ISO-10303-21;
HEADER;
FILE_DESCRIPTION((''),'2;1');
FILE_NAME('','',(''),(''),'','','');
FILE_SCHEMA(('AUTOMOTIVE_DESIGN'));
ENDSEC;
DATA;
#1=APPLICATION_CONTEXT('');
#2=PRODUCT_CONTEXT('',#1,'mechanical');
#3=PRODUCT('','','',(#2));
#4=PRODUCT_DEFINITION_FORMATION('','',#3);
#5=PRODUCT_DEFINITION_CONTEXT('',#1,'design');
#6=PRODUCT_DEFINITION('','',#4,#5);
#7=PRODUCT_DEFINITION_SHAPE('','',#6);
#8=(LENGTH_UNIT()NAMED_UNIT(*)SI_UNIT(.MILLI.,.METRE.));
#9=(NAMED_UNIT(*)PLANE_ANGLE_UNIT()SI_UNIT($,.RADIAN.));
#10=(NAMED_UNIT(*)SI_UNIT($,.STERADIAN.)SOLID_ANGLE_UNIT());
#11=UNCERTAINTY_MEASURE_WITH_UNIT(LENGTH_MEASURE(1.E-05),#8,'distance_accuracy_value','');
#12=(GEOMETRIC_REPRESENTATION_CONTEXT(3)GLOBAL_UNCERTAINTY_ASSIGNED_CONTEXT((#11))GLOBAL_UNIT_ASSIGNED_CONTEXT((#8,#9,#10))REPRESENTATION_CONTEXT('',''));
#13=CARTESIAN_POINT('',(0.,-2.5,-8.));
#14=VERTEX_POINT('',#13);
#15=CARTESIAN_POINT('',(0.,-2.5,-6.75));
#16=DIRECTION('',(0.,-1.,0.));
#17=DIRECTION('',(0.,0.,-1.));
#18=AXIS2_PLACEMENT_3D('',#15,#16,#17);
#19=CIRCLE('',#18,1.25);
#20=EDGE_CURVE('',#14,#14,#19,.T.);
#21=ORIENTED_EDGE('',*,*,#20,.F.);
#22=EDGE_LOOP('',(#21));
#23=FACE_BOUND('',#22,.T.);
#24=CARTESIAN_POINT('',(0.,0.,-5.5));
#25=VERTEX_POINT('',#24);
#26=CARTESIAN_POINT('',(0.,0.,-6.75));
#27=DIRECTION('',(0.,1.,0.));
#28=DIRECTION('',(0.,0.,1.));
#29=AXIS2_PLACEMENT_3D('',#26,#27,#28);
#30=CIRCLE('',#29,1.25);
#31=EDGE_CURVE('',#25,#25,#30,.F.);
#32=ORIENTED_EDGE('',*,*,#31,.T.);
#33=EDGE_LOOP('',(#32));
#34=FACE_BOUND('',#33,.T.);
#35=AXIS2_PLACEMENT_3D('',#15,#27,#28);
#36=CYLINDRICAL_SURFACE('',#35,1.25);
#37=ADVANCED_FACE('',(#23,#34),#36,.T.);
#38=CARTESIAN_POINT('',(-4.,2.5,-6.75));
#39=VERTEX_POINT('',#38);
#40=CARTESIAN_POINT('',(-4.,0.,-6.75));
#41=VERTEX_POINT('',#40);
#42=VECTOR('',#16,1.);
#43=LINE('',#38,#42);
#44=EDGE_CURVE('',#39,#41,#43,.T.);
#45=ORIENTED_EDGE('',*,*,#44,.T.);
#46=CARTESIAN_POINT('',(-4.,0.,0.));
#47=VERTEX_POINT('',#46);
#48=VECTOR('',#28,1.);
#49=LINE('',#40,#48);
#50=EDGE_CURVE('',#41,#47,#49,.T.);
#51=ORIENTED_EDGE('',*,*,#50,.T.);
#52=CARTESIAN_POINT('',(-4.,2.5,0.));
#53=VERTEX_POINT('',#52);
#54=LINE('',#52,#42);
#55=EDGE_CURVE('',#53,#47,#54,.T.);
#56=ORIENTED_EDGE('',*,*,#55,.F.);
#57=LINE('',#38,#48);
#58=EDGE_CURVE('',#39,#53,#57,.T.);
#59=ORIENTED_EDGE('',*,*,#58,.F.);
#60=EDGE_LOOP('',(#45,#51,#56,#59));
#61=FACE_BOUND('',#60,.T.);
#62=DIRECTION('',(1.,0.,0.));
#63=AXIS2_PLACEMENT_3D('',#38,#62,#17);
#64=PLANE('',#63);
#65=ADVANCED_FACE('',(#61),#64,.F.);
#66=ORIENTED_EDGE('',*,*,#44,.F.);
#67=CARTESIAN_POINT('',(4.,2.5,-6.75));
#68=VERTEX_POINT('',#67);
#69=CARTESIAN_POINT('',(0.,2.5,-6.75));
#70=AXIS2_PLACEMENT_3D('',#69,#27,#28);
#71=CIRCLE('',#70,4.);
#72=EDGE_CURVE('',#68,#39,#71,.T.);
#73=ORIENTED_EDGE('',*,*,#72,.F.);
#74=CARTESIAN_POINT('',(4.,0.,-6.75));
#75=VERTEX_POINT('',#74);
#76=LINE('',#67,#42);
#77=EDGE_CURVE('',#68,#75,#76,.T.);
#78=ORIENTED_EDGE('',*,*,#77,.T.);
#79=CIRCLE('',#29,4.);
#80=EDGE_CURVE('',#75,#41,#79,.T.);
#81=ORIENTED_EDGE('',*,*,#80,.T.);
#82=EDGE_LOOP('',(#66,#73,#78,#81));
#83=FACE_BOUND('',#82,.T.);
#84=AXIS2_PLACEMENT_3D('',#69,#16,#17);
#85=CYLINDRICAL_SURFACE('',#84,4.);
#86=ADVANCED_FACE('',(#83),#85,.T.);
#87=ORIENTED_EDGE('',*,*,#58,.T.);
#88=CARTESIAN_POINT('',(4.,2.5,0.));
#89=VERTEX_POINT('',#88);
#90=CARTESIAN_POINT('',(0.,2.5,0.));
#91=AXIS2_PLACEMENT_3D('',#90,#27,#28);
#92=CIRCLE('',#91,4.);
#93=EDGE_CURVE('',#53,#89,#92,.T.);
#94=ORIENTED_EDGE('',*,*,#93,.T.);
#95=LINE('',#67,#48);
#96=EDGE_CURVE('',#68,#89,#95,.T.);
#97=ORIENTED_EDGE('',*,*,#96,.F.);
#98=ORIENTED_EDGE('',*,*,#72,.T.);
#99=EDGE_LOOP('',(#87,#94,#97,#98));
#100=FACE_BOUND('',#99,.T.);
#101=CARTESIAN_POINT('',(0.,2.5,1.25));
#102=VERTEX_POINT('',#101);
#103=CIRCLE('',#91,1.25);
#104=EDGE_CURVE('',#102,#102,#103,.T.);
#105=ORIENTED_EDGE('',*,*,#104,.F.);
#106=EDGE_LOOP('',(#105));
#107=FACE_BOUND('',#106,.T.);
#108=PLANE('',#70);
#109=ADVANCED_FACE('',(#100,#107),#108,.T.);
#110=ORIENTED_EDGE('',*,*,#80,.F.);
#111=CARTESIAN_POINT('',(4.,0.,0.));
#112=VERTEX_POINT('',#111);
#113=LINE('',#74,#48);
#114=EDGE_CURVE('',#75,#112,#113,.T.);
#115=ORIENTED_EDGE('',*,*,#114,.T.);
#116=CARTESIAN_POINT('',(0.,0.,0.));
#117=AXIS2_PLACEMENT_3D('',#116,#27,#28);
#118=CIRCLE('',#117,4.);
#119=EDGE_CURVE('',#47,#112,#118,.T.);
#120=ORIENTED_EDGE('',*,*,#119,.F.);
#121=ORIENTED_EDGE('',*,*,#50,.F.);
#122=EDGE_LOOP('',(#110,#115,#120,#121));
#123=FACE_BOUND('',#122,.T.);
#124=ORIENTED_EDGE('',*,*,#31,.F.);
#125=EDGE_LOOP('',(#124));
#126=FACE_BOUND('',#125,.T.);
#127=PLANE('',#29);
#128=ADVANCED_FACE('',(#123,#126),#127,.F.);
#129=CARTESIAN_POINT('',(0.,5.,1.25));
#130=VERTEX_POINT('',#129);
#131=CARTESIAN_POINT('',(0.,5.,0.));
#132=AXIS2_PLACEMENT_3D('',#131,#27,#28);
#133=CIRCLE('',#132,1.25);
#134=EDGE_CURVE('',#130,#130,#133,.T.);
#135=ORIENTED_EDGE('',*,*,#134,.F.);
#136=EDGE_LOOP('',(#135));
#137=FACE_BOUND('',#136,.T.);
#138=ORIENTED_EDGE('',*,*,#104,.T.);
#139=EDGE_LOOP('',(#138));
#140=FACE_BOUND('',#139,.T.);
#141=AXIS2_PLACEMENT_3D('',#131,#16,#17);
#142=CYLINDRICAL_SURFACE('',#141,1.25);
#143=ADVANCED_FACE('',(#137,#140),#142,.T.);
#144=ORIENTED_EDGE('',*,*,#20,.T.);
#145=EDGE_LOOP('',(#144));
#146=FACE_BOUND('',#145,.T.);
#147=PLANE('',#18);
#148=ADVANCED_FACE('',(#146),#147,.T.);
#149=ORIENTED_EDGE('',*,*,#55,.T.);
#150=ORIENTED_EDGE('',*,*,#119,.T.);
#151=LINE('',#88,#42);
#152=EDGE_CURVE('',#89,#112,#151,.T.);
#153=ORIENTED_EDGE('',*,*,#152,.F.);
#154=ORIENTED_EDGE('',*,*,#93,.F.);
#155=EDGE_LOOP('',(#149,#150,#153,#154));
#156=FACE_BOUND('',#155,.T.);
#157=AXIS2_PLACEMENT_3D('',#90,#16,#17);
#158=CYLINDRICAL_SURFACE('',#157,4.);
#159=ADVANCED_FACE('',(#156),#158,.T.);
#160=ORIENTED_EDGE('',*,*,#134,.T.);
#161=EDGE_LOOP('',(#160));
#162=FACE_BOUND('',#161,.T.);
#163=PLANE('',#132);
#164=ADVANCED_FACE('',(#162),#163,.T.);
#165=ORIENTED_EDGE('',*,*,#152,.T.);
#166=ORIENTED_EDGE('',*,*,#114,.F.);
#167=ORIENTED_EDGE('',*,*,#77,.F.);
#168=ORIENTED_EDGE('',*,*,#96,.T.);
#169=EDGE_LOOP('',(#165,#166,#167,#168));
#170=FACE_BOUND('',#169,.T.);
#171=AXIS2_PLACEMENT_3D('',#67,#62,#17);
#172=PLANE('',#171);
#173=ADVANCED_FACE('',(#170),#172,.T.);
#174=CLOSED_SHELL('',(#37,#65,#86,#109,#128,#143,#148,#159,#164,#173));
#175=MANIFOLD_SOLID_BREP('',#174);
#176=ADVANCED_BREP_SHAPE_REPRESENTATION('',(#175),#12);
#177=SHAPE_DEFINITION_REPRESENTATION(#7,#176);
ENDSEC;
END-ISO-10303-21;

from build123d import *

# Parameters (mm, degrees)
BOSS_EXTRUDE1_DEPTH = 2.5
BOSS_EXTRUDE2_DEPTH = 2.5
SKETCH3_R           = 1.25
BOSS_EXTRUDE3_DEPTH = 2.5
SKETCH4_R           = 1.25
BOSS_EXTRUDE4_DEPTH = 2.5


with BuildPart() as part:
    # Sketch1 → Boss-Extrude1 (new body)
    with BuildSketch(Plane(origin=(0, 0, 0), x_dir=(1, 0, 0), z_dir=(0, 1, 0))):
        with BuildLine():
            Line((4, 6.75), (4, 0))
            ThreePointArc((4, 0), (0, -4), (-4, 0))
            Line((-4, 0), (-4, 6.75))
            ThreePointArc((-4, 6.75), (0, 10.75), (4, 6.75))
        make_face()
    extrude(amount=BOSS_EXTRUDE1_DEPTH)

    # Sketch1<3> → Boss-Extrude2 (add)
    with BuildSketch(Plane(origin=(0, 0, 0), x_dir=(1, 0, 0), z_dir=(0, 1, 0))):
        with BuildLine():
            Line((4, 6.75), (4, 0))
            ThreePointArc((4, 0), (0, -4), (-4, 0))
            Line((-4, 0), (-4, 6.75))
            ThreePointArc((-4, 6.75), (0, 10.75), (4, 6.75))
        make_face()
    extrude(amount=BOSS_EXTRUDE2_DEPTH)

    # Sketch3 → Boss-Extrude3 (add)
    with BuildSketch(Plane(origin=(0, 2.5, 0), x_dir=(1, 0, 0), z_dir=(0, 1, 0))):
        Circle(SKETCH3_R)
    extrude(amount=BOSS_EXTRUDE3_DEPTH)

    # Sketch4 → Boss-Extrude4 (add)
    with BuildSketch(Plane.XZ):
        with Locations((0, -6.75)):
            Circle(SKETCH4_R)
    extrude(amount=BOSS_EXTRUDE4_DEPTH)


solid = part.part
